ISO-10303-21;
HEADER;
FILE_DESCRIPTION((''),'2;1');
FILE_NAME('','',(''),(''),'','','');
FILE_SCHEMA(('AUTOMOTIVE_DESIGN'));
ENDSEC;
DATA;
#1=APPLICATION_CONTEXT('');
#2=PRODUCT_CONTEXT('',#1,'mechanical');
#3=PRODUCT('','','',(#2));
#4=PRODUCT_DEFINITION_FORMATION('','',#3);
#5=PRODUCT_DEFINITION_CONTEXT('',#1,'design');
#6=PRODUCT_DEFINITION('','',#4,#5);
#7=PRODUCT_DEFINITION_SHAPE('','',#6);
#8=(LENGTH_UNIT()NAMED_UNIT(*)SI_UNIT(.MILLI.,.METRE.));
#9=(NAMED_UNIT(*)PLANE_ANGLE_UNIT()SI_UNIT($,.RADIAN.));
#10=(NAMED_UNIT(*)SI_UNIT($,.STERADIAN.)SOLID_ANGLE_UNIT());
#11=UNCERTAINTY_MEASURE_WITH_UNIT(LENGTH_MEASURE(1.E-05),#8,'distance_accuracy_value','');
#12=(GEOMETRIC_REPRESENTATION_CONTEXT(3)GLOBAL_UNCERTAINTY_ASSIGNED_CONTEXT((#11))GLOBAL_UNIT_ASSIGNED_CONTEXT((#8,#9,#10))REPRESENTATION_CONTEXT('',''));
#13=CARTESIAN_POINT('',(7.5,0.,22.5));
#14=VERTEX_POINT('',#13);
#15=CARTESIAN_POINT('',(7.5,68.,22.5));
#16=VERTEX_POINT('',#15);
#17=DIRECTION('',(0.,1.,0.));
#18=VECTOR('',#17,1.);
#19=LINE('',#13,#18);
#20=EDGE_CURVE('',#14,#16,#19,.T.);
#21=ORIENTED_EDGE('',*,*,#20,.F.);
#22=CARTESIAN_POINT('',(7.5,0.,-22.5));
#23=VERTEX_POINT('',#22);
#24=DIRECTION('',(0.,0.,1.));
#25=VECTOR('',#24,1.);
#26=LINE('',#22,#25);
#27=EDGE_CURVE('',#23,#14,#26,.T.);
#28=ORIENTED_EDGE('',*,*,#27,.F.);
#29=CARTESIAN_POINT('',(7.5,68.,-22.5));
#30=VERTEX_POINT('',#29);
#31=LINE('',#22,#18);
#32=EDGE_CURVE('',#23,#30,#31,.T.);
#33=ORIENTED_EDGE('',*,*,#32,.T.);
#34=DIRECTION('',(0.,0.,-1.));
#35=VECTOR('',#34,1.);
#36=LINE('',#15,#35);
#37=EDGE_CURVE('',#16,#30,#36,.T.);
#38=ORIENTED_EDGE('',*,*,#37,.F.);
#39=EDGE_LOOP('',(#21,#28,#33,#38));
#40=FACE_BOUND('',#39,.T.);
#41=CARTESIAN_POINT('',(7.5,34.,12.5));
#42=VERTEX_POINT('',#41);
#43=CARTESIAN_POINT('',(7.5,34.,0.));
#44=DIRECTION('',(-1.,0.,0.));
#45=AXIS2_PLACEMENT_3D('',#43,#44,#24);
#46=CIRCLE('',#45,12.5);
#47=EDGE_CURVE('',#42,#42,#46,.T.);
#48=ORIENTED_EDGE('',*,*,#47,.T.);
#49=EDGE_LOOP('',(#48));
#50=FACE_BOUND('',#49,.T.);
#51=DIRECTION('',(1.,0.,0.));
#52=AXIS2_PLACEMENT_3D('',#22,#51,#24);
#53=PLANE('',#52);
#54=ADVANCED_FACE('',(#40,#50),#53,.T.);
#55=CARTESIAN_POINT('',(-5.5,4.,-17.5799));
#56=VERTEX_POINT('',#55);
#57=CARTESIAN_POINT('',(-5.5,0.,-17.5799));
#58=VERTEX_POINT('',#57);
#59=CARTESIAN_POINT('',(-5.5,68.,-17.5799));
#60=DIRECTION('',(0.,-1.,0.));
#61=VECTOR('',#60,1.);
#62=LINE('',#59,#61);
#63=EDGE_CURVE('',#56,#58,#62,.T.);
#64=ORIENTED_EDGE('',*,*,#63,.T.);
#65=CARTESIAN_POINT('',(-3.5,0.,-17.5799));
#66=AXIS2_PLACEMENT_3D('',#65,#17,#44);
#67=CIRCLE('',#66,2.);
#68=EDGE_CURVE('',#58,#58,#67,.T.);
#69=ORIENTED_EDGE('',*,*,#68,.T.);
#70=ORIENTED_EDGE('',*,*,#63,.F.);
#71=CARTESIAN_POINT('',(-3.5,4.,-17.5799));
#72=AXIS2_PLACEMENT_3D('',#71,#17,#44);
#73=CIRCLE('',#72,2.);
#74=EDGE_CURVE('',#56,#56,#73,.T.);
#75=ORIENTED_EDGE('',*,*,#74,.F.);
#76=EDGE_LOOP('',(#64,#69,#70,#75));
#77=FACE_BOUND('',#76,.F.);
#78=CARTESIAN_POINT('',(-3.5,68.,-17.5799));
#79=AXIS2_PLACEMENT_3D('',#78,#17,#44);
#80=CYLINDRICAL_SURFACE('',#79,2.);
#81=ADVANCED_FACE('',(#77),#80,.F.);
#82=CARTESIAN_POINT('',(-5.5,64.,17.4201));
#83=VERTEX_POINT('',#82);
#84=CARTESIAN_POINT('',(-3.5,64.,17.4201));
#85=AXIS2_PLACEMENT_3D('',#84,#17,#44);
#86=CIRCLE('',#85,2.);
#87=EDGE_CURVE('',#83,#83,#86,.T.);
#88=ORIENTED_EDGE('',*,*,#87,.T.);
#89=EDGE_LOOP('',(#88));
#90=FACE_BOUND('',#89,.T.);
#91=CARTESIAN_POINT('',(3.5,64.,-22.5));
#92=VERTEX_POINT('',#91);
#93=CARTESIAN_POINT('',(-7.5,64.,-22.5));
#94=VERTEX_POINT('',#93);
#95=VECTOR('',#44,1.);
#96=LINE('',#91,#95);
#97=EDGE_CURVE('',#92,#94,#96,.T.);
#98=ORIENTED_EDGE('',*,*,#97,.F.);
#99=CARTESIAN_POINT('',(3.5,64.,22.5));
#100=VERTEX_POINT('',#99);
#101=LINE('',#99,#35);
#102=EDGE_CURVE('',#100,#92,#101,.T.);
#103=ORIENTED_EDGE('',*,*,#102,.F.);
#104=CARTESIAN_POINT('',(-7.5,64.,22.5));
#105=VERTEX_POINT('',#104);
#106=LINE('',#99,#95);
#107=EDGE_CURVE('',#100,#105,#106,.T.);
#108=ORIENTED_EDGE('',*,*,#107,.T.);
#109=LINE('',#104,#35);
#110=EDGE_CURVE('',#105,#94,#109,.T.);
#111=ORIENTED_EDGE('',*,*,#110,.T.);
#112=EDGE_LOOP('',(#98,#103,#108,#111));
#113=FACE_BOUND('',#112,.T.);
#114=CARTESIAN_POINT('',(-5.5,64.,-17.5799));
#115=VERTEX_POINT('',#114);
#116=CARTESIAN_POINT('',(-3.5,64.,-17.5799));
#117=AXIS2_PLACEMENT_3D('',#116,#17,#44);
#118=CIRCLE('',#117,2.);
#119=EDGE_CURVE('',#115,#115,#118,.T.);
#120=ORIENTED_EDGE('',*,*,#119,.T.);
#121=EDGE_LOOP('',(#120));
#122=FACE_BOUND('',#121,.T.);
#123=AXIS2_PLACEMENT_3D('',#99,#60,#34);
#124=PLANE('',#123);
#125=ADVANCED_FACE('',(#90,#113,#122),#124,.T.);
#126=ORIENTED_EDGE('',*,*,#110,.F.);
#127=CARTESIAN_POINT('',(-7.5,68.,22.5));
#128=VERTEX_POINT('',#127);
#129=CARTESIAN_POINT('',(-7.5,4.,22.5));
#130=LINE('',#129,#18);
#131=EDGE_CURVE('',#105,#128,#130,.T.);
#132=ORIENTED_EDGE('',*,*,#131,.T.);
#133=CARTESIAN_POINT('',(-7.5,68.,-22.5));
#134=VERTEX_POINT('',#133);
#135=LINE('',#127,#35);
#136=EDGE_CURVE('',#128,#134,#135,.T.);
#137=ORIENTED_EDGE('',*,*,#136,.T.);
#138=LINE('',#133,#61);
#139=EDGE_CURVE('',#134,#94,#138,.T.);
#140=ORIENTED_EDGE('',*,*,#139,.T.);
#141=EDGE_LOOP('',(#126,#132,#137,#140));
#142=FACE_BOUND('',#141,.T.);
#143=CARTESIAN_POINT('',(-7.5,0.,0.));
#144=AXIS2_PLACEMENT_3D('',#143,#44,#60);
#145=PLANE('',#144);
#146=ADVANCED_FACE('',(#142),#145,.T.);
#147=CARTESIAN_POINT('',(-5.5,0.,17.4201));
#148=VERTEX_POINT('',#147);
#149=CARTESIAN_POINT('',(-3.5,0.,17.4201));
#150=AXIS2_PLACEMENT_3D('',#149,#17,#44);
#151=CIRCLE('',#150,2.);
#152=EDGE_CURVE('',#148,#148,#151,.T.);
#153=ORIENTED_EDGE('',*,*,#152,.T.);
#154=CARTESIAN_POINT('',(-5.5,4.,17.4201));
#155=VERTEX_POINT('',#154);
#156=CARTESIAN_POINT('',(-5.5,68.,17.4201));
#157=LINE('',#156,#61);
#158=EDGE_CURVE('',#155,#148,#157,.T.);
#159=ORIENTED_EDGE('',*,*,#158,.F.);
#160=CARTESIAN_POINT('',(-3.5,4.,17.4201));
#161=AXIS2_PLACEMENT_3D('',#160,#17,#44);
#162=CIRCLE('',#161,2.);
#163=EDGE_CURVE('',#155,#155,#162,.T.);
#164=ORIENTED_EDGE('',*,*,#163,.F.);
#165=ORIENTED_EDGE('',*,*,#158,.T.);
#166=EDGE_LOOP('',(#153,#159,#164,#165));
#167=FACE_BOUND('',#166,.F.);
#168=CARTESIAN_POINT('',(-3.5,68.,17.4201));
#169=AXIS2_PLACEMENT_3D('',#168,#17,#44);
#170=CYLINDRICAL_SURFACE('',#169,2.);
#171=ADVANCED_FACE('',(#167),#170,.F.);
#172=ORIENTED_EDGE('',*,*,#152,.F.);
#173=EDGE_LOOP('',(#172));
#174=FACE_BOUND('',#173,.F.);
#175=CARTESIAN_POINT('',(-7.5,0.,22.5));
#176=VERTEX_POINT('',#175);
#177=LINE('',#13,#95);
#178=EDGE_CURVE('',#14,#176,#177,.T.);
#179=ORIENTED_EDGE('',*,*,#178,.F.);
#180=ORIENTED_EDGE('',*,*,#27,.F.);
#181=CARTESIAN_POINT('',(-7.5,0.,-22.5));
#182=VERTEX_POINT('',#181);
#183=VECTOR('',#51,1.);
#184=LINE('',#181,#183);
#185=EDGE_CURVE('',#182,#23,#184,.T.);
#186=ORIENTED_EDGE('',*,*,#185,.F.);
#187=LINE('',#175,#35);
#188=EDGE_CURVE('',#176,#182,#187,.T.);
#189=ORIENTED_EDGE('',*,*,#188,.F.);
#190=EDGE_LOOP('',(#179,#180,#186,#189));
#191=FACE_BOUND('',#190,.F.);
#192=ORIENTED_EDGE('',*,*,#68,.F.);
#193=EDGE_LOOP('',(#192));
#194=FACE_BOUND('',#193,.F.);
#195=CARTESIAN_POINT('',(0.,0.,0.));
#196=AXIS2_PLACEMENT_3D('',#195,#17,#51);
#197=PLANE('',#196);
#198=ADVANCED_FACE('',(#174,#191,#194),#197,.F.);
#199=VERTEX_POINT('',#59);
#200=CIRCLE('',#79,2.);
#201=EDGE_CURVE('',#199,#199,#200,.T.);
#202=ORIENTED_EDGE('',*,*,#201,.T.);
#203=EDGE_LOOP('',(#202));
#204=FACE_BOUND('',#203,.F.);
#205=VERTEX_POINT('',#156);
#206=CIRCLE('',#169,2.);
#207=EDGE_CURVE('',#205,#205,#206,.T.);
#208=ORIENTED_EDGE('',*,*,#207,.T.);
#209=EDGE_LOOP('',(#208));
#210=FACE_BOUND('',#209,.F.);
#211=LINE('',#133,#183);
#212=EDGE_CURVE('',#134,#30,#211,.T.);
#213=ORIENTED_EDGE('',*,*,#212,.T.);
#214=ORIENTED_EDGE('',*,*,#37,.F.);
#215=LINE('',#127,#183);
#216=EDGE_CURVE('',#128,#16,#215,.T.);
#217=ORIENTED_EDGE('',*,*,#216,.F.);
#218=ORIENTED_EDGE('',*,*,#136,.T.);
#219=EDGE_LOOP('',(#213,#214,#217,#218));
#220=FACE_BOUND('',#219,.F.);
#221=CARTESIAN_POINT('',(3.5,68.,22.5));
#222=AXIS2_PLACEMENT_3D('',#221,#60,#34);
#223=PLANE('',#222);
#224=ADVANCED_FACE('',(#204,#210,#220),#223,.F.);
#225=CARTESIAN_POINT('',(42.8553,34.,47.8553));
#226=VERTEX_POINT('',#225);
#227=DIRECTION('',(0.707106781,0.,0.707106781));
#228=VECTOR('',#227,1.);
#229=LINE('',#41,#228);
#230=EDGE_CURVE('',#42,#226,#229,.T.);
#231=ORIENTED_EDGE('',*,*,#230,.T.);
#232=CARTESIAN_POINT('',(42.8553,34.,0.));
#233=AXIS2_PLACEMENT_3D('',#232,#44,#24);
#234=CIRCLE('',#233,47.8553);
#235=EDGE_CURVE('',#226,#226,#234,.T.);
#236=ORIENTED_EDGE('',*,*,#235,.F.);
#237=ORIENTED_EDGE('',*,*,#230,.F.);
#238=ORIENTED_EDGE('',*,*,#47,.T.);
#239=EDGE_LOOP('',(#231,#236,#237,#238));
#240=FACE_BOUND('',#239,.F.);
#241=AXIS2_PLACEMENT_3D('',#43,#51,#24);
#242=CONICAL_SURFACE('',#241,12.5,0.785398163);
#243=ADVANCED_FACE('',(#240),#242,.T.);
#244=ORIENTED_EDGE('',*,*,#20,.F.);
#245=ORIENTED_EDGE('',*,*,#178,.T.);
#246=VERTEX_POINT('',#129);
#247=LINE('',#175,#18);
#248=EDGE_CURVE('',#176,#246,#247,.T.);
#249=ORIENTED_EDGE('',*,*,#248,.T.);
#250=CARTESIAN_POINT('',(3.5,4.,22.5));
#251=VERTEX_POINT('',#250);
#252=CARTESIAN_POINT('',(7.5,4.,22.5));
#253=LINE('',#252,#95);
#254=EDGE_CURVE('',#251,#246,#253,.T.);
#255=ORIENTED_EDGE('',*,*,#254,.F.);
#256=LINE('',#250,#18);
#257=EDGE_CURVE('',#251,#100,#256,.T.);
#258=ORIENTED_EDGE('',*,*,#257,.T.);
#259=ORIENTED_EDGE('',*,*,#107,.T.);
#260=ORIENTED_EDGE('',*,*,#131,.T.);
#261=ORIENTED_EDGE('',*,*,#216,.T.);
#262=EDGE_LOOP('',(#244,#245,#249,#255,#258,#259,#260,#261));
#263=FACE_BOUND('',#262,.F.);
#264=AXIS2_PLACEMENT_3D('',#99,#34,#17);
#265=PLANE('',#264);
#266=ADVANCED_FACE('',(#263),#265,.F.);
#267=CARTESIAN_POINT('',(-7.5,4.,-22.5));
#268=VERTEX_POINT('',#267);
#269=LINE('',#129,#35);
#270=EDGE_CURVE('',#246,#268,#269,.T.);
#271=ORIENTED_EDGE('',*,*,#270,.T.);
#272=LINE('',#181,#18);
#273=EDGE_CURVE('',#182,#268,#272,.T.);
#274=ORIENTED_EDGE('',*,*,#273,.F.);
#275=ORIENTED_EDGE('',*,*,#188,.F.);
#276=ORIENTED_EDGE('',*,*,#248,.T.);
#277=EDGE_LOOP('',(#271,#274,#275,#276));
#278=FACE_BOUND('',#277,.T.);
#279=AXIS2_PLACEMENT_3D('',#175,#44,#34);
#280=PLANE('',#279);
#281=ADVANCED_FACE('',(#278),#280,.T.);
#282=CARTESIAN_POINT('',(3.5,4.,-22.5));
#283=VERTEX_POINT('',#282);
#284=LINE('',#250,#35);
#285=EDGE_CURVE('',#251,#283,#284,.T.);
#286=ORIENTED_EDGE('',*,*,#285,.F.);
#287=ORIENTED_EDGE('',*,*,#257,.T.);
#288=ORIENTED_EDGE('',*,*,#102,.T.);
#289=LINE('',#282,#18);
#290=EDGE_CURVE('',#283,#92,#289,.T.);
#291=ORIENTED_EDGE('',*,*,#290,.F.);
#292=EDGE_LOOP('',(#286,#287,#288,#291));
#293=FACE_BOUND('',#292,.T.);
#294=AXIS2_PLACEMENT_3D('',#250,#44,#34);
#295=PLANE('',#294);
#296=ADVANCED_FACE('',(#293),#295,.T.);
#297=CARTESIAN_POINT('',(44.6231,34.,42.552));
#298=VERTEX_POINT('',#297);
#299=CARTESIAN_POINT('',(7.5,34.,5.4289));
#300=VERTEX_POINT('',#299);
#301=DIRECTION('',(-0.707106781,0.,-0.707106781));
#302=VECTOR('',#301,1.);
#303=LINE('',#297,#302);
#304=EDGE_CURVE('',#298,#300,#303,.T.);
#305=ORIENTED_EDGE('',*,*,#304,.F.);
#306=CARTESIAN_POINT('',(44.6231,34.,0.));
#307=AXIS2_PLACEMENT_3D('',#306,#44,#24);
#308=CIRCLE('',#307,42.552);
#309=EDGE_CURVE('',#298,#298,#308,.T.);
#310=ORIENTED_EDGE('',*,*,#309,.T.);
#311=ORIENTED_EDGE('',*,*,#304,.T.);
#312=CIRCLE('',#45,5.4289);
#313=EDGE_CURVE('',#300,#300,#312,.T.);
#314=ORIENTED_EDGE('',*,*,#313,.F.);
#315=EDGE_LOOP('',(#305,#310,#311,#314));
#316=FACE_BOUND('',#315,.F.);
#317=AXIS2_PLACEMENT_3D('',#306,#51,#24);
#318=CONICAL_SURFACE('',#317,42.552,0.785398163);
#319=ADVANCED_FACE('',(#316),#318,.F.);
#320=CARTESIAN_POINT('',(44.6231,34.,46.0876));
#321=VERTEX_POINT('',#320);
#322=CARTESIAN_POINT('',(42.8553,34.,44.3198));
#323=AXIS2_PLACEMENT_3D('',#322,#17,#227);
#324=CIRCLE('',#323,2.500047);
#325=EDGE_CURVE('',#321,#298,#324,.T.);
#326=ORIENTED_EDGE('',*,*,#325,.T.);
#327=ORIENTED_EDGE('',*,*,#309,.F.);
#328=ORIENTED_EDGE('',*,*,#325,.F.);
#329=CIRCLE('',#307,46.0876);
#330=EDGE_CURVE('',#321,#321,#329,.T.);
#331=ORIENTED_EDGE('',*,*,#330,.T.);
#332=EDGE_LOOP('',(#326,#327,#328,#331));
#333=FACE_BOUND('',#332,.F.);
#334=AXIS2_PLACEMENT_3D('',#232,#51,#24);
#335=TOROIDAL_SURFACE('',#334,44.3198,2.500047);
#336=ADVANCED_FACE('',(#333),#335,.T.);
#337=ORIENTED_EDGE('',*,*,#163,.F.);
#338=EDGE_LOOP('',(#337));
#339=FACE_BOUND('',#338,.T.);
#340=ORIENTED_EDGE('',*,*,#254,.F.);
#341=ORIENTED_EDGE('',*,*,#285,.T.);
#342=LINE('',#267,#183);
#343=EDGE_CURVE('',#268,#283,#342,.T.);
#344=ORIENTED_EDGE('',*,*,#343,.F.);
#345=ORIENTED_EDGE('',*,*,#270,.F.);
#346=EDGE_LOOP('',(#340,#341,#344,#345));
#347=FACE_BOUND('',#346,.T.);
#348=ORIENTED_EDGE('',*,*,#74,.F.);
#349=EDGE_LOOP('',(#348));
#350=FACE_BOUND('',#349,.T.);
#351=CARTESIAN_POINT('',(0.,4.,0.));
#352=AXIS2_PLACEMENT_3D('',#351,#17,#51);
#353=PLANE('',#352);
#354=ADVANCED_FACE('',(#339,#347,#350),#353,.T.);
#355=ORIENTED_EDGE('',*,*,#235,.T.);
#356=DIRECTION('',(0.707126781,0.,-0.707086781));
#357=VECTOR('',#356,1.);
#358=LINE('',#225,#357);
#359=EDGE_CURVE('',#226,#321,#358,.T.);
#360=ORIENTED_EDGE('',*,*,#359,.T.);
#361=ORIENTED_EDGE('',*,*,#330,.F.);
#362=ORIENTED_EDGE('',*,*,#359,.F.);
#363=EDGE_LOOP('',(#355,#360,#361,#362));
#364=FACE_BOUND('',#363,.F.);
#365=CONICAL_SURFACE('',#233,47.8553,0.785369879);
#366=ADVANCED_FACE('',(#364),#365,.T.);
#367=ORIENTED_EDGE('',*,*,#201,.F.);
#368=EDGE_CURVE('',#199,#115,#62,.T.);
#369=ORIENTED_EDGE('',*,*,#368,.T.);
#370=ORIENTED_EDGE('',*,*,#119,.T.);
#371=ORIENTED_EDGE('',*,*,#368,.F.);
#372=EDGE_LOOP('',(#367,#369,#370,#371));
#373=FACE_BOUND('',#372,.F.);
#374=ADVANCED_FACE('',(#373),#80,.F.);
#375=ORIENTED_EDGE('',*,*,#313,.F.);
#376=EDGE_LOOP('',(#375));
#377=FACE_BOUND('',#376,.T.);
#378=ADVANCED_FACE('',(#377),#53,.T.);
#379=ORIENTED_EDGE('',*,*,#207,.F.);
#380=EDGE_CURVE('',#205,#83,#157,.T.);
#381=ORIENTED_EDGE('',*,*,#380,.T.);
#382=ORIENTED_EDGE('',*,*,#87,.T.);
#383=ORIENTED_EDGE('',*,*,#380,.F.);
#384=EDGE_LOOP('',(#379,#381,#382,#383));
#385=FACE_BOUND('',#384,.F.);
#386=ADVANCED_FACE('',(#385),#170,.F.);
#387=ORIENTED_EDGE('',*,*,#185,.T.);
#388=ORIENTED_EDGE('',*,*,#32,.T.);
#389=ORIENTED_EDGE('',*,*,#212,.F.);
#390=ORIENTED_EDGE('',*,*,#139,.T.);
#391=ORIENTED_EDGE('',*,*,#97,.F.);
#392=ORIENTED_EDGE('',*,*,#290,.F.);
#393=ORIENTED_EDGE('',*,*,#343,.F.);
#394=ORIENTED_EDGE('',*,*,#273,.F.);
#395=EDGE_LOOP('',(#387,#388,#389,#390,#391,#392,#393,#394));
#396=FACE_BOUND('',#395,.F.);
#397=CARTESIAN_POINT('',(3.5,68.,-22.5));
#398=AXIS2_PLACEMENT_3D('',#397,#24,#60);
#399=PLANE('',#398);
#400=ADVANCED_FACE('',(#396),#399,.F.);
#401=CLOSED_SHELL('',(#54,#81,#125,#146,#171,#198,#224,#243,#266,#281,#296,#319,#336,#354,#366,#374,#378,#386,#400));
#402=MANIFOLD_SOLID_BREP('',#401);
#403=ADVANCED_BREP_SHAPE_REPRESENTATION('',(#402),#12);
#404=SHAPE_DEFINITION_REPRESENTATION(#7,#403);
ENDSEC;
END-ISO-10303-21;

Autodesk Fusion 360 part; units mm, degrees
sketch "Sketch1" plane through (0, 0, 0) normal (0, 1, 0) x (1, 0, 0)
  line L0 (7.5, -22.5) -> (-7.5, -22.5)
  line L1 (-7.5, -22.5) -> (-7.5, 22.5)
  line L2 (-7.5, 22.5) -> (7.5, 22.5)
  line L3 (7.5, 22.5) -> (7.5, -22.5)
  line L4 (7.5, -22.5) -> (-7.5, 22.5) construction
  line L5 (-7.5, -22.5) -> (7.5, 22.5) construction
  dimension "d1" = 45
  dimension "d2" = 15
extrude "Extrude1" add sketch "Sketch1" along normal blind 4
sketch "Sketch2" plane through (0, 4, 0) normal (0, 1, 0) x (-1, 0, 0)
  line L0 (-7.5, -22.5) -> (7.5, -22.5)
  line L1 (7.5, -22.5) -> (7.5, 22.5)
  line L2 (7.5, 22.5) -> (-7.5, 22.5)
  line L3 (-7.5, 22.5) -> (-7.5, -22.5)
  line L4 (-7.5, 22.5) -> (-3.5, 22.5)
  line L5 (-3.5, 22.5) -> (-3.5, -22.5)
  line L6 (-3.5, -22.5) -> (-7.5, -22.5)
  line L7 (-7.5, -22.5) -> (-7.5, 22.5)
  dimension "d9" = 4
extrude "Extrude2" add sketch "Sketch2" along normal blind 64 contours L0 L2 L3 L4 L5 L6 L7
sketch "Sketch3" plane through (3.5, 0, 0) normal (-1, 0, 0) x (0, -1, 0)
  line L0 (-4, -22.5) -> (-4, 22.5)
  line L1 (-4, 22.5) -> (-68, 22.5)
  line L2 (-68, 22.5) -> (-68, -22.5)
  line L3 (-68, -22.5) -> (-4, -22.5)
  line L4 (-68, 22.5) -> (-64, 22.5)
  line L5 (-64, 22.5) -> (-64, -22.5)
  line L6 (-64, -22.5) -> (-68, -22.5)
  line L7 (-68, -22.5) -> (-68, 22.5)
  dimension "d12" = 4
extrude "Extrude3" add sketch "Sketch3" along normal blind 11 contours L1 L2 L3 L4 L5 L6 L7
sketch "Sketch4" plane through (3.5, 0, 0) normal (-1, 0, 0) x (0, -1, 0)
  line L0 (-64, 22.5) -> (-64, -22.5)
  line L1 (-64, -22.5) -> (-4, -22.5)
  line L2 (-4, -22.5) -> (-4, 22.5)
  line L3 (-4, 22.5) -> (-64, 22.5)
  line L4 (-60, 22.5) -> (-56, 22.5)
  line L5 (-56, 22.5) -> (-56, -22.5)
  line L6 (-56, -22.5) -> (-60, -22.5)
  line L7 (-60, -22.5) -> (-60, 22.5)
  line L8 (-34, -22.5) -> (-34, 22.5) construction
  line L9 (-8, 22.5) -> (-12, 22.5)
  line L10 (-8, -22.5) -> (-8, 22.5)
  line L11 (-12, 22.5) -> (-12, -22.5)
  line L12 (-12, -22.5) -> (-8, -22.5)
  dimension "d15" = 4
  dimension "d16" = 4
sketch "Sketch5" plane through (0, 68, 0) normal (0, 1, 0) x (-1, 0, 0)
  line L0 (-7.5, -22.5) -> (7.5, -22.5)
  line L1 (7.5, -22.5) -> (7.5, 22.5)
  line L2 (7.5, 22.5) -> (-7.5, 22.5)
  line L3 (-7.5, 22.5) -> (-7.5, -22.5)
  circle A0 centre (3.5, 17.4201) radius 2
  circle A1 centre (3.5, -17.5799) radius 2
  line L4 (3.5, -17.5799) -> (3.5, 17.4201) construction
  point P0 (3.5, -0.0799)
  dimension "d19" = 4
  dimension "d20" = 4
  dimension "d21" = 35
  dimension "d22" = 4
extrude "Extrude5" cut sketch "Sketch5" against normal through all contours A0 | A1
ref_plane "WorkPlane1" through (0, 34, 0) normal (0, 1, 0) x (0, 0, 1)
sketch "Sketch6" plane through (0, 34, 0) normal (0, 1, 0) x (1, 0, 0)
  line L0 (7.5, -12.5) -> (42.8553, -47.8553)
  line L1 (7.5, 22.5) -> (7.5, -22.5)
  line L2 (7.5, 12.5) -> (7.5, -12.5) construction
  line L3 (7.5, 0) -> (0, 0)
  line L4 (42.8553, -47.8553) -> (44.6231, -46.0876)
  line L5 (44.6231, -42.552) -> (7.5, -5.4289)
  arc A0 (44.6231, -46.0876) -> (44.6231, -42.552) centre (42.8553, -44.3198) ccw
  point P0 (7.5, 0)
  point P1 (46.3909, -44.3198)
  dimension "d25" = 50
  dimension "d26" = 25
  dimension "d27" = 135
  dimension "d29" = 5
  dimension "d30" = 2.5
revolve "Revolve1" add sketch "Sketch6" angle 360 about axis through (7.5, 34, 0) along (-1, 0, 0)
equation "d10 = 56 mm + 8 mm"
equation "d24 = -( 68 / 2 ) * 1 mm"
